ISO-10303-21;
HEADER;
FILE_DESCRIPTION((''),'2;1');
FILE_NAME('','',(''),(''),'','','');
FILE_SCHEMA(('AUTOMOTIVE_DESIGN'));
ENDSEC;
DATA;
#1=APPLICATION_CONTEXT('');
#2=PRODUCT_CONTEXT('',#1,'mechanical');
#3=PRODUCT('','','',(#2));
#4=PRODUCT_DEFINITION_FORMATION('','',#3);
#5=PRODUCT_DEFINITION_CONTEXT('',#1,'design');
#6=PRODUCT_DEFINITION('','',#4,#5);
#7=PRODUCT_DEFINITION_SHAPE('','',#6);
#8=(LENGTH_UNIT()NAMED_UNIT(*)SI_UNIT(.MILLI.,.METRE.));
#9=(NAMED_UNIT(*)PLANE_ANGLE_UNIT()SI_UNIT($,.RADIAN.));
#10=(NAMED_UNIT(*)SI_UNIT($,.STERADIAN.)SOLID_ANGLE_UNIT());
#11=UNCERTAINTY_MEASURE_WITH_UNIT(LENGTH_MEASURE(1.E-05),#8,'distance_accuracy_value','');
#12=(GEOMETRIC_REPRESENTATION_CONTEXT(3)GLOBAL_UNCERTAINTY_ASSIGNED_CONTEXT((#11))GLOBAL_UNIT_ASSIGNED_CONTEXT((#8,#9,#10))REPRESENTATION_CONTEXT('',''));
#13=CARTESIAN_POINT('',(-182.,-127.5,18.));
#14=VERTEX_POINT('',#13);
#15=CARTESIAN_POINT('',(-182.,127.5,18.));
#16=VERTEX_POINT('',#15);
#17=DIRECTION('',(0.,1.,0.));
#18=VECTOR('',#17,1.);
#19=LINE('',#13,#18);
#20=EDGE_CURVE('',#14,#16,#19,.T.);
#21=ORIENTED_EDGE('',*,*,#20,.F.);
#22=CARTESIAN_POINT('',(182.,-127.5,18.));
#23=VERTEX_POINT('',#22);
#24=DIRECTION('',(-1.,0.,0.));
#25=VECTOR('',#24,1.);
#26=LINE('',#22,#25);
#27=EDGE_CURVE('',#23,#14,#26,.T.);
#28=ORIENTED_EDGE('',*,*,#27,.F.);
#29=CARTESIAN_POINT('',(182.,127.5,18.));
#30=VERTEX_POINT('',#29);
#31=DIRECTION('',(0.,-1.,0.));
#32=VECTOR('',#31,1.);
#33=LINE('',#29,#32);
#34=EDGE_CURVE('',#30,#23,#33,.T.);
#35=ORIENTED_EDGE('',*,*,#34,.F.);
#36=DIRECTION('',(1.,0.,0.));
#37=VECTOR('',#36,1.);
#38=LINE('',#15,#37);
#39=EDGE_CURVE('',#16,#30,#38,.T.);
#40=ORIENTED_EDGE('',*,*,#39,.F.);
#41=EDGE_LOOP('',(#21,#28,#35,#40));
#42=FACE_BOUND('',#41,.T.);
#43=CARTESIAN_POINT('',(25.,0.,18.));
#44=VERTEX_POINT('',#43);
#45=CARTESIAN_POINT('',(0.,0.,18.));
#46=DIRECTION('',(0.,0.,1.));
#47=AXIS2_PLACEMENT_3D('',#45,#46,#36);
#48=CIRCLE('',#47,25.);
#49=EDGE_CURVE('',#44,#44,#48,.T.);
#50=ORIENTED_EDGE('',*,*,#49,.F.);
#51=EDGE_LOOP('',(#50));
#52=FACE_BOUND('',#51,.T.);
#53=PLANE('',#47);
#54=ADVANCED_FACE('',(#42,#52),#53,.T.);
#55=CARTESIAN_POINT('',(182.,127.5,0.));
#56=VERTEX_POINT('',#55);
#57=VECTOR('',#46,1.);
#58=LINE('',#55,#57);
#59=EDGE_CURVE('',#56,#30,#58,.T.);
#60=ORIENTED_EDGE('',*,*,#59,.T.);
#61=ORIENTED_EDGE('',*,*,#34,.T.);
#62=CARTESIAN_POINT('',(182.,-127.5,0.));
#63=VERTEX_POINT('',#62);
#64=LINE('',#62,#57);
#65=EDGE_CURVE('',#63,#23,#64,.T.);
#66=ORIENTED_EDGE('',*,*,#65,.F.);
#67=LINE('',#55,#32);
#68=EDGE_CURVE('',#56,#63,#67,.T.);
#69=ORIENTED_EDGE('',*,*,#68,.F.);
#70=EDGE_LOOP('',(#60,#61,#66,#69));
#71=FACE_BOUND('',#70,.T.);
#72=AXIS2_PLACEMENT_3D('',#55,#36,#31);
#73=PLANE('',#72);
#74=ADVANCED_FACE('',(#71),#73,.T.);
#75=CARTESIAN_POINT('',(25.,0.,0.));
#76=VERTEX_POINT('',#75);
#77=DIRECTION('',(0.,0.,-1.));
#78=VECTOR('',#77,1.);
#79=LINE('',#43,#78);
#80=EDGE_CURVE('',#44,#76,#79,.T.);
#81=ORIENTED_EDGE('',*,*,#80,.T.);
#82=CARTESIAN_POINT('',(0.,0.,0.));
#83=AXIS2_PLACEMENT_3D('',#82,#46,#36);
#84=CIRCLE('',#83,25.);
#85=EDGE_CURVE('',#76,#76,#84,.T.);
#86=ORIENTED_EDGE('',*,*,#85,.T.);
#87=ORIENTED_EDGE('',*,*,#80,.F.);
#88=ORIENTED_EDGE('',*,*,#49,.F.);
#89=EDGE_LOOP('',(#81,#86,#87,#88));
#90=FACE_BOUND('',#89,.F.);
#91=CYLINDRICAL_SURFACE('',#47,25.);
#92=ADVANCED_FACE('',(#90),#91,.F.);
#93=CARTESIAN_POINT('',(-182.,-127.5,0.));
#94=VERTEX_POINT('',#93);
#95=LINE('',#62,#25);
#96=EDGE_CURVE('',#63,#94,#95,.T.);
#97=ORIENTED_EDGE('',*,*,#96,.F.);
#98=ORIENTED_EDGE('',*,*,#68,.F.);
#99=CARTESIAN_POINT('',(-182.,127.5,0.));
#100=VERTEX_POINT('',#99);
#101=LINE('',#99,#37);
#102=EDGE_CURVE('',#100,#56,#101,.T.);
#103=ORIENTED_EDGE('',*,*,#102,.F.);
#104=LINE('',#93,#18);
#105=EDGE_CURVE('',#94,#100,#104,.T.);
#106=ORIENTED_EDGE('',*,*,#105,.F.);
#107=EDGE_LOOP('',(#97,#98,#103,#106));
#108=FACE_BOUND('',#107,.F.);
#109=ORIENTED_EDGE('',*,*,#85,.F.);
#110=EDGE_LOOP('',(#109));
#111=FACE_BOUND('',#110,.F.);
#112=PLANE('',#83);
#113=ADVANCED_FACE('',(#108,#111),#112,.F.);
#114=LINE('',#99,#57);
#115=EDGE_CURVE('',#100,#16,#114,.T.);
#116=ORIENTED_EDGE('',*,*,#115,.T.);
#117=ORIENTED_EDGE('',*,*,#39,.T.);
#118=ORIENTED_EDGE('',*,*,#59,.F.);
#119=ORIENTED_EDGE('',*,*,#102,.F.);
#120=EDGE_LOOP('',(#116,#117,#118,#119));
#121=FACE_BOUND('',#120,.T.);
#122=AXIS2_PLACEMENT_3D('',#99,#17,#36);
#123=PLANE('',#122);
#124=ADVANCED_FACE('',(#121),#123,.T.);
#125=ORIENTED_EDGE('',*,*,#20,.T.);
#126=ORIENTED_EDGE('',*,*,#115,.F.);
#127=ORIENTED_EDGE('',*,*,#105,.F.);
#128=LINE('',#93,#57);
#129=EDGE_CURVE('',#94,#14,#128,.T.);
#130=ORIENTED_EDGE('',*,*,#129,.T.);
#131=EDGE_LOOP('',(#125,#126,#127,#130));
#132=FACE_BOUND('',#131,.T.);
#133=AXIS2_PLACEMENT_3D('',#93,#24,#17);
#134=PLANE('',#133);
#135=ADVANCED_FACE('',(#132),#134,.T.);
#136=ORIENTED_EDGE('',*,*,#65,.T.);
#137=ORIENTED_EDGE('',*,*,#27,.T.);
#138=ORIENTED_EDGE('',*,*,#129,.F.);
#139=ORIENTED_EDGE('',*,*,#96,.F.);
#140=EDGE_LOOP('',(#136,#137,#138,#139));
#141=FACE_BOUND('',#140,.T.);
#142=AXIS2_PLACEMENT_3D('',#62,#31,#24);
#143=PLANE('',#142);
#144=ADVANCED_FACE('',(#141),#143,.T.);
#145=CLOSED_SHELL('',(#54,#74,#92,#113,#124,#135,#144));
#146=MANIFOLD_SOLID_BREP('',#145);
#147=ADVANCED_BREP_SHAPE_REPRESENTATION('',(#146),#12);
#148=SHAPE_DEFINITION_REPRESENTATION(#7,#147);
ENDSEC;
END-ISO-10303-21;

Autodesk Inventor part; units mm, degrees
ref_plane "YZ Plane" through (0, 0, 0) normal (1, 0, 0) x (0, 1, 0)
ref_plane "XZ Plane" through (0, 0, 0) normal (0, 1, 0) x (-1, 0, 0)
ref_plane "XY Plane" through (0, 0, 0) normal (0, 0, 1) x (1, 0, 0)
sketch "Skizze1" plane through (0, 0, 0) normal (0, 0, 1) x (1, 0, 0)
  line L0 (-182, 127.5) -> (182, 127.5)
  line L1 (182, 127.5) -> (182, -127.5)
  line L2 (182, -127.5) -> (-182, -127.5)
  line L3 (-182, -127.5) -> (-182, 127.5)
  line L4 (-182, 127.5) -> (182, -127.5) construction
  line L5 (182, 127.5) -> (-182, -127.5) construction
  point P0 (0, 0)
  dimension "d0" = 255
  dimension "d1" = 364
extrude "Extrusion1" add sketch "Skizze1" along normal blind 18
sketch "Skizze2" plane through (0, 0, 18) normal (0, 0, 1) x (1, 0, 0)
  circle A0 centre (0, 0) radius 25
  dimension "d4" = 50
extrude "Extrusion2" cut sketch "Skizze2" against normal up to next
equation "\"d0\" = inner_depth"
equation "\"d1\" = case_width - 2 * case_thickness"
equation "\"d2\" = case_thickness"
equation "\"kg_thickness\" = 4.9"
equation "\"ht_thickness\" = 1.9"
equation "\"case_thickness\" = 18"
equation "\"inner_thickness\" = 15"
equation "\"gap_fit\" = 0.1"
equation "\"gap_slide\" = 0.2"
equation "\"gap_air\" = 1"
equation "\"bore_diameter\" = 73"
equation "\"mdf_thickness\" = 6"
equation "\"tape_width\" = 15"
equation "\"tape_thickness\" = 3"
equation "\"inner_depth\" = 255"
equation "\"case_width\" = 400"
properties part number "Korpus_Einbau_Deckel"
